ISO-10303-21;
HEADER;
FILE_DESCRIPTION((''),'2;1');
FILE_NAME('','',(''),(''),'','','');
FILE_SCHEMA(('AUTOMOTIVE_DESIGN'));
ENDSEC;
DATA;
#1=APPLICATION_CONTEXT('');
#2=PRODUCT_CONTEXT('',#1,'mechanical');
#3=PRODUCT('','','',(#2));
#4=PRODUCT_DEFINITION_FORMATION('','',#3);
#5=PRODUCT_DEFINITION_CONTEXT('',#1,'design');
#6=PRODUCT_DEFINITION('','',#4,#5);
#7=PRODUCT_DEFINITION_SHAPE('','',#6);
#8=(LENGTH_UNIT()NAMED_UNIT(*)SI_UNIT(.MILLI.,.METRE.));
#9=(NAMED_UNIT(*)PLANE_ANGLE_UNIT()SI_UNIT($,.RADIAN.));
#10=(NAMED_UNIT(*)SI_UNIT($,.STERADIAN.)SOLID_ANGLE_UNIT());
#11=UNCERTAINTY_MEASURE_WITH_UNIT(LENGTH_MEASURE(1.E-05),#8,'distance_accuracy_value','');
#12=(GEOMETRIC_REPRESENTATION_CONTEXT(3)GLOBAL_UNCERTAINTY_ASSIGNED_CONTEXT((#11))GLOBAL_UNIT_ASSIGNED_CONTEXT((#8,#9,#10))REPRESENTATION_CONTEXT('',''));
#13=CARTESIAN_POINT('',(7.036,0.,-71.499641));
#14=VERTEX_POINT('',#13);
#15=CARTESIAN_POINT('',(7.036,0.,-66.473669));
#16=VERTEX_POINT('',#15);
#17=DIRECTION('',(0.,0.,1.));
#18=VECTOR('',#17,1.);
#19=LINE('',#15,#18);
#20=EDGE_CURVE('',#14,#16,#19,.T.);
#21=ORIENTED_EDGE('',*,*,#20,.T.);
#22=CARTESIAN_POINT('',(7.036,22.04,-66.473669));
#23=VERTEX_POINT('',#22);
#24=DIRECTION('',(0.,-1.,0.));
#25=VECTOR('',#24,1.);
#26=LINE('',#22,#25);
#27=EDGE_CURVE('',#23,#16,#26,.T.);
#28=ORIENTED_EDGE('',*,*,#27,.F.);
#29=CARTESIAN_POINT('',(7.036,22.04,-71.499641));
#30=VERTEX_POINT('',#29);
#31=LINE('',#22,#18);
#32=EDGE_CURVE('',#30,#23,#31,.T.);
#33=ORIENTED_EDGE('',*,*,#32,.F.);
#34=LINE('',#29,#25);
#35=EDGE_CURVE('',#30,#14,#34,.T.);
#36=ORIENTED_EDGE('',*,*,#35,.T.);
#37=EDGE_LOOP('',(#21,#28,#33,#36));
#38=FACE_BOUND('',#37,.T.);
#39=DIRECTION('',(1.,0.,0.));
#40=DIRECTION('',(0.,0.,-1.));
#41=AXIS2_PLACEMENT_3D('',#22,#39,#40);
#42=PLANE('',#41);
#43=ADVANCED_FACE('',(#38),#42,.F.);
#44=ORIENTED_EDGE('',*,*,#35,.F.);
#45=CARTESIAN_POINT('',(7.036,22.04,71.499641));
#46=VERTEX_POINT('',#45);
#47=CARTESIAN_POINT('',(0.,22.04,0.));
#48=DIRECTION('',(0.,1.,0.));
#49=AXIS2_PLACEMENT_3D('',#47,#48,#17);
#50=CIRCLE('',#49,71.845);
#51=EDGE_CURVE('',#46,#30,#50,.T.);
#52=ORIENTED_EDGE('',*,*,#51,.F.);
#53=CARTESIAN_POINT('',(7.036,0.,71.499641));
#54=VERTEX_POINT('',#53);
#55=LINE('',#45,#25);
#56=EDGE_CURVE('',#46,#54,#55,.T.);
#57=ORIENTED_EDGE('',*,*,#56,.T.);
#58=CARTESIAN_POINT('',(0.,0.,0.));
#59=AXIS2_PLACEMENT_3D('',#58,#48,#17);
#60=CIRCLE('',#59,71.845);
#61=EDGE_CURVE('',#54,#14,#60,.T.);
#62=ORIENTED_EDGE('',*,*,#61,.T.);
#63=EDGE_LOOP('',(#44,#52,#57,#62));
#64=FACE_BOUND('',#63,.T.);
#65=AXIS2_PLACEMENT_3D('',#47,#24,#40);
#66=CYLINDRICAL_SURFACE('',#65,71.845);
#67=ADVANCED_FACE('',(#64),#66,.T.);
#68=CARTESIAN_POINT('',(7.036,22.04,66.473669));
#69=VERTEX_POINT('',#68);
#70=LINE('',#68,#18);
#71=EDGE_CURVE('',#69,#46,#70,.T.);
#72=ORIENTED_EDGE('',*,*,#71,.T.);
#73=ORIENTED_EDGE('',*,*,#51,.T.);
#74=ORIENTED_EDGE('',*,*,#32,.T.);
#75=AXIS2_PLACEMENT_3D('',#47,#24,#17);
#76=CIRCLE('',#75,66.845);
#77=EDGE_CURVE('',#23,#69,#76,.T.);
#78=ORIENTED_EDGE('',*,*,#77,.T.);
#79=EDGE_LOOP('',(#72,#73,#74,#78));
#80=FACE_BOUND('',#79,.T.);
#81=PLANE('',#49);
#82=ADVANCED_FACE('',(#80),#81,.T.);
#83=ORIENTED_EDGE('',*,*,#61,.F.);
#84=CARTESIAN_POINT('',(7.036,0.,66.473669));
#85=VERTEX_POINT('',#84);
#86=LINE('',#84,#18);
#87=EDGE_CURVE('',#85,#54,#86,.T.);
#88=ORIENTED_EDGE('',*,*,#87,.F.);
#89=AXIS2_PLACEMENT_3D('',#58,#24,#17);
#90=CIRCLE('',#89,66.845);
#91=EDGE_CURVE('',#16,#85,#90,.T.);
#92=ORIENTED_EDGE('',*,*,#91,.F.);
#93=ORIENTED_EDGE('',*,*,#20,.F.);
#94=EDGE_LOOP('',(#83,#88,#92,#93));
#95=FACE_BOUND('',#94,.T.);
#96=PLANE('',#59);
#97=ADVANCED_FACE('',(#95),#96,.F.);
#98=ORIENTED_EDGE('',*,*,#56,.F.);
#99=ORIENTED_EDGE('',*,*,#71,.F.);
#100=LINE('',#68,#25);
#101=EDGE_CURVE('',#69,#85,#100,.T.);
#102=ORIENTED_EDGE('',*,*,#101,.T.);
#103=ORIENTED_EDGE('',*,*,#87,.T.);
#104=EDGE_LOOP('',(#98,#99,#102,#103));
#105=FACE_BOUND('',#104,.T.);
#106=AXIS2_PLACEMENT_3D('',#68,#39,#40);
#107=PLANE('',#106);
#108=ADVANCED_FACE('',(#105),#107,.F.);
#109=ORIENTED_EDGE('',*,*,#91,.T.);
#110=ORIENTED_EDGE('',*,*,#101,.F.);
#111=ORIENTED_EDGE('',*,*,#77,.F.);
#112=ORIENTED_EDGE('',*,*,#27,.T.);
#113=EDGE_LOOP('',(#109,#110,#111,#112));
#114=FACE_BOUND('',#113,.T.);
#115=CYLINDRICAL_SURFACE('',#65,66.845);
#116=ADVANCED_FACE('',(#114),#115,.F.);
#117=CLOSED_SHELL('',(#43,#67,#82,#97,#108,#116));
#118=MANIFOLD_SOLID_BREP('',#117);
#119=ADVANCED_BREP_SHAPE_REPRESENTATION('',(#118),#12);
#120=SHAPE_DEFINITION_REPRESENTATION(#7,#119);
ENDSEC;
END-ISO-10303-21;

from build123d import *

# Parameters (mm, degrees)
BOSS_EXTRUDE1_DEPTH = 22.04


with BuildPart() as part:
    # Sketch1 → Boss-Extrude1 (new body)
    with BuildSketch(Plane(origin=(0, 0, 0), x_dir=(1, 0, 0), z_dir=(0, 1, 0))):
        with BuildLine():
            Line((7.036, 66.473669441), (7.036, 71.499641461))
            ThreePointArc((7.036, 71.499641461), (71.845, 0), (7.036, -71.499641461))
            Line((7.036, -71.499641461), (7.036, -66.473669441))
            ThreePointArc((7.036, -66.473669441), (66.845, 0), (7.036, 66.473669441))
        make_face()
    extrude(amount=BOSS_EXTRUDE1_DEPTH)


solid = part.part
